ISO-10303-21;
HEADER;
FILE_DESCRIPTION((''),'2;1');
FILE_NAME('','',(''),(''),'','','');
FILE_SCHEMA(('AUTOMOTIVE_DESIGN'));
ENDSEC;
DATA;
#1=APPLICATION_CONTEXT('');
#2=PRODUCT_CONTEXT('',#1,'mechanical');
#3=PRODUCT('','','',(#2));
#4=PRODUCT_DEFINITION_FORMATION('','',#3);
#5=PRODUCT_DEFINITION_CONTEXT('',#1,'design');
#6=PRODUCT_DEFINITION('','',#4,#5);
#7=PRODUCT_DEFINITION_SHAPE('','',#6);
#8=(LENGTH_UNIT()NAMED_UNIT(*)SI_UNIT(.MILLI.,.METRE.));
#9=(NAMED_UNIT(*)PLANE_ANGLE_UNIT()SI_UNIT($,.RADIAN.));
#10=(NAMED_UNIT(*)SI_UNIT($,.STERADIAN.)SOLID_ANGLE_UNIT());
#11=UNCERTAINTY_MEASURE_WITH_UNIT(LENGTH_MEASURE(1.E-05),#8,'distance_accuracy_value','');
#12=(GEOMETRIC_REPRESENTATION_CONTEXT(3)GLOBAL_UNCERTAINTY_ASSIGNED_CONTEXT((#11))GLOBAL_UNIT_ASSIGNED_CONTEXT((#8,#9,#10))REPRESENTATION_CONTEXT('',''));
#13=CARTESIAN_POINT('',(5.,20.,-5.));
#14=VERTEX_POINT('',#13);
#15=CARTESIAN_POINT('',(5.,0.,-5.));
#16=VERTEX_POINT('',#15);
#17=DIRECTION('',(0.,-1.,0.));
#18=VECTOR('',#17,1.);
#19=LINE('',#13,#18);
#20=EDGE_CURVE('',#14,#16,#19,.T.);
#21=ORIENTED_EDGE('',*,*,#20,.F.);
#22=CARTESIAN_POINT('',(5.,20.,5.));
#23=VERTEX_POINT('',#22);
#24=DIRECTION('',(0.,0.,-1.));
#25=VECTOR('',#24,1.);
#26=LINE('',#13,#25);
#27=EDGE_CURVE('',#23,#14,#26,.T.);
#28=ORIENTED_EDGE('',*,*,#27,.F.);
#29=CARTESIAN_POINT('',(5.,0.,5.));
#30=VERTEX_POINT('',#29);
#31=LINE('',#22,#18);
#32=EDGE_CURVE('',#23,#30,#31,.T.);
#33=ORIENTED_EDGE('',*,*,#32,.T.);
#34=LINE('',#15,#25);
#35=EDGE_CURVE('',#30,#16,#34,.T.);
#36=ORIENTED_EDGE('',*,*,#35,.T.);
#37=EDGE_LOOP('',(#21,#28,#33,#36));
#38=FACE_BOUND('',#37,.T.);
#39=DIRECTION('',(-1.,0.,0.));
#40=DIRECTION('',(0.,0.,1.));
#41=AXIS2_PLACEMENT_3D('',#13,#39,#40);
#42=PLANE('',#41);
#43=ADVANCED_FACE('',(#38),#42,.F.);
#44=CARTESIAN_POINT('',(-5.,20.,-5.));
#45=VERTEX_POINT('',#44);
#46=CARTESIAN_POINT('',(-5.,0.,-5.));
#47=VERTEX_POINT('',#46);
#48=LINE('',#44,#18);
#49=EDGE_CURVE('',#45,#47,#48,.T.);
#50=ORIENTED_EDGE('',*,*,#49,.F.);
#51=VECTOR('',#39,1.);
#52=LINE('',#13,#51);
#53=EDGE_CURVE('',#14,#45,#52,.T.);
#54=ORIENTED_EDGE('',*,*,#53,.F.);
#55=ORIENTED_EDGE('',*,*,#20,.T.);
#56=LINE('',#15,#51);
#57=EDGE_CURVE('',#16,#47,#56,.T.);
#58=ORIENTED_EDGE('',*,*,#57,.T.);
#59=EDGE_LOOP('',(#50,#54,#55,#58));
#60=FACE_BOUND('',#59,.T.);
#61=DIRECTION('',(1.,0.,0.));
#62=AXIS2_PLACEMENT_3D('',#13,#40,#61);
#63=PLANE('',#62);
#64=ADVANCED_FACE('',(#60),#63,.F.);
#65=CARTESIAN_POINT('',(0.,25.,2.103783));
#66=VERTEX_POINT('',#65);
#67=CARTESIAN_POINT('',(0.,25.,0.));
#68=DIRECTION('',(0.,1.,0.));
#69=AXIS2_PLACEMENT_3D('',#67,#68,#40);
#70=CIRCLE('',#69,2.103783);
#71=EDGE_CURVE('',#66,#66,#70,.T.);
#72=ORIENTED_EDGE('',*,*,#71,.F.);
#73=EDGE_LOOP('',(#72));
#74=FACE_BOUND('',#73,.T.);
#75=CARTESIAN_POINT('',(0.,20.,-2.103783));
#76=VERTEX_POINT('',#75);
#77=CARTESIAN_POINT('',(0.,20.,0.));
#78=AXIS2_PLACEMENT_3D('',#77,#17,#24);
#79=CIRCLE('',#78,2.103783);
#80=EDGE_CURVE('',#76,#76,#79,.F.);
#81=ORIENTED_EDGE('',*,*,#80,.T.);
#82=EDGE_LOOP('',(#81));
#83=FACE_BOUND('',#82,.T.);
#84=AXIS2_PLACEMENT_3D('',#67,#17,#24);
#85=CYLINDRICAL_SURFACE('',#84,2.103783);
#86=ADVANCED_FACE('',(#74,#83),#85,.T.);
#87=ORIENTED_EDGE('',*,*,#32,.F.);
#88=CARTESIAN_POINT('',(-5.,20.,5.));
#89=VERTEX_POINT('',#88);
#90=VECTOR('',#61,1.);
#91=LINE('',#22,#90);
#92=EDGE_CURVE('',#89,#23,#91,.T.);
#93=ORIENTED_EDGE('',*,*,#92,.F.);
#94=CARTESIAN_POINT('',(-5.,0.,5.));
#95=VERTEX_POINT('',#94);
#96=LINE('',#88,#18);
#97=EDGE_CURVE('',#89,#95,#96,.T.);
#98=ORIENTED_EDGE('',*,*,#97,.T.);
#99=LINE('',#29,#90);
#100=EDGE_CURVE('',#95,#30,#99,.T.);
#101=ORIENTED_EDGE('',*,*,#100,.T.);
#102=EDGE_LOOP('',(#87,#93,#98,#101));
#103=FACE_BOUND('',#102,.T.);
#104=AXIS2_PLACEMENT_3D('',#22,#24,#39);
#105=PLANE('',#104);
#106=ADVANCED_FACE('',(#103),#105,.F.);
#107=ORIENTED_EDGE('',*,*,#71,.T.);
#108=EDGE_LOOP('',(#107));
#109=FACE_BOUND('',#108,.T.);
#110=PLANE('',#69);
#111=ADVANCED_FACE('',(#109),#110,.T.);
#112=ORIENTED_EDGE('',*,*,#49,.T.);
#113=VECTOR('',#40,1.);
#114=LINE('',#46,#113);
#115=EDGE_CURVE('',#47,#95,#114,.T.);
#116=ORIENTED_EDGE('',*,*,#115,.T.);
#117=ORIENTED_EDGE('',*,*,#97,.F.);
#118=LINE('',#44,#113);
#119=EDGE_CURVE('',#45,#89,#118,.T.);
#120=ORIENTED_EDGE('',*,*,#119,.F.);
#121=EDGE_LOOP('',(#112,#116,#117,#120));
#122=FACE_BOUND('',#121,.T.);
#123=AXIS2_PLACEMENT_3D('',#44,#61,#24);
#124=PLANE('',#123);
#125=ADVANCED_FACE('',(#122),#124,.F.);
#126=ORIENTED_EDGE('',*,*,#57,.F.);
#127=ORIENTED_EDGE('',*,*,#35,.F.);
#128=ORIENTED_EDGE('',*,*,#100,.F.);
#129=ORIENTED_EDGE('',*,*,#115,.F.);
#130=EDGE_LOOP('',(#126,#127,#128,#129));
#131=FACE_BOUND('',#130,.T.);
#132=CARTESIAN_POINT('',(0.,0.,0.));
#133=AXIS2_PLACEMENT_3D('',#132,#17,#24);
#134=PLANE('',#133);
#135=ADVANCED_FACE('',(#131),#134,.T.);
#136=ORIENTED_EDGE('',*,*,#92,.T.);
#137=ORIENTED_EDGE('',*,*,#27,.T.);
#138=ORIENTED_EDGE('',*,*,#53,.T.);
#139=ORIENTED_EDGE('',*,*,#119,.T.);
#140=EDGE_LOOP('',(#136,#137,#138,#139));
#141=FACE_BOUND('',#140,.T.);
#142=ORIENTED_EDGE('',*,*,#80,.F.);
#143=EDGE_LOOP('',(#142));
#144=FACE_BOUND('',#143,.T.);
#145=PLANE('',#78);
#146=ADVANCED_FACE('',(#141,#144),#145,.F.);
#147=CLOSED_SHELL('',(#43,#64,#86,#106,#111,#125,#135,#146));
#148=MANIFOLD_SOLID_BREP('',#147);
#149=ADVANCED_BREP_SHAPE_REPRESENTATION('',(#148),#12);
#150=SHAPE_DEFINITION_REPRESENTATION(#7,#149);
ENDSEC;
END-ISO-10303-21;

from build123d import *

# Parameters (mm, degrees)
SKETCH1_W           = 10
SKETCH1_H           = 10
BOSS_EXTRUDE1_DEPTH = 20
SKETCH2_R           = 2.103783414
BOSS_EXTRUDE2_DEPTH = 5


with BuildPart() as part:
    # Sketch1 → Boss-Extrude1 (new body)
    with BuildSketch(Plane(origin=(0, 0, 0), x_dir=(1, 0, 0), z_dir=(0, 1, 0))):
        Rectangle(SKETCH1_W, SKETCH1_H)
    extrude(amount=BOSS_EXTRUDE1_DEPTH)

    # Sketch2 → Boss-Extrude2 (add)
    with BuildSketch(Plane(origin=(0, 20, 0), x_dir=(1, 0, 0), z_dir=(0, 1, 0))):
        with Locations(Location((0, 0, 0), (0, 0, 90))):
            Circle(SKETCH2_R)
    extrude(amount=BOSS_EXTRUDE2_DEPTH)


solid = part.part
